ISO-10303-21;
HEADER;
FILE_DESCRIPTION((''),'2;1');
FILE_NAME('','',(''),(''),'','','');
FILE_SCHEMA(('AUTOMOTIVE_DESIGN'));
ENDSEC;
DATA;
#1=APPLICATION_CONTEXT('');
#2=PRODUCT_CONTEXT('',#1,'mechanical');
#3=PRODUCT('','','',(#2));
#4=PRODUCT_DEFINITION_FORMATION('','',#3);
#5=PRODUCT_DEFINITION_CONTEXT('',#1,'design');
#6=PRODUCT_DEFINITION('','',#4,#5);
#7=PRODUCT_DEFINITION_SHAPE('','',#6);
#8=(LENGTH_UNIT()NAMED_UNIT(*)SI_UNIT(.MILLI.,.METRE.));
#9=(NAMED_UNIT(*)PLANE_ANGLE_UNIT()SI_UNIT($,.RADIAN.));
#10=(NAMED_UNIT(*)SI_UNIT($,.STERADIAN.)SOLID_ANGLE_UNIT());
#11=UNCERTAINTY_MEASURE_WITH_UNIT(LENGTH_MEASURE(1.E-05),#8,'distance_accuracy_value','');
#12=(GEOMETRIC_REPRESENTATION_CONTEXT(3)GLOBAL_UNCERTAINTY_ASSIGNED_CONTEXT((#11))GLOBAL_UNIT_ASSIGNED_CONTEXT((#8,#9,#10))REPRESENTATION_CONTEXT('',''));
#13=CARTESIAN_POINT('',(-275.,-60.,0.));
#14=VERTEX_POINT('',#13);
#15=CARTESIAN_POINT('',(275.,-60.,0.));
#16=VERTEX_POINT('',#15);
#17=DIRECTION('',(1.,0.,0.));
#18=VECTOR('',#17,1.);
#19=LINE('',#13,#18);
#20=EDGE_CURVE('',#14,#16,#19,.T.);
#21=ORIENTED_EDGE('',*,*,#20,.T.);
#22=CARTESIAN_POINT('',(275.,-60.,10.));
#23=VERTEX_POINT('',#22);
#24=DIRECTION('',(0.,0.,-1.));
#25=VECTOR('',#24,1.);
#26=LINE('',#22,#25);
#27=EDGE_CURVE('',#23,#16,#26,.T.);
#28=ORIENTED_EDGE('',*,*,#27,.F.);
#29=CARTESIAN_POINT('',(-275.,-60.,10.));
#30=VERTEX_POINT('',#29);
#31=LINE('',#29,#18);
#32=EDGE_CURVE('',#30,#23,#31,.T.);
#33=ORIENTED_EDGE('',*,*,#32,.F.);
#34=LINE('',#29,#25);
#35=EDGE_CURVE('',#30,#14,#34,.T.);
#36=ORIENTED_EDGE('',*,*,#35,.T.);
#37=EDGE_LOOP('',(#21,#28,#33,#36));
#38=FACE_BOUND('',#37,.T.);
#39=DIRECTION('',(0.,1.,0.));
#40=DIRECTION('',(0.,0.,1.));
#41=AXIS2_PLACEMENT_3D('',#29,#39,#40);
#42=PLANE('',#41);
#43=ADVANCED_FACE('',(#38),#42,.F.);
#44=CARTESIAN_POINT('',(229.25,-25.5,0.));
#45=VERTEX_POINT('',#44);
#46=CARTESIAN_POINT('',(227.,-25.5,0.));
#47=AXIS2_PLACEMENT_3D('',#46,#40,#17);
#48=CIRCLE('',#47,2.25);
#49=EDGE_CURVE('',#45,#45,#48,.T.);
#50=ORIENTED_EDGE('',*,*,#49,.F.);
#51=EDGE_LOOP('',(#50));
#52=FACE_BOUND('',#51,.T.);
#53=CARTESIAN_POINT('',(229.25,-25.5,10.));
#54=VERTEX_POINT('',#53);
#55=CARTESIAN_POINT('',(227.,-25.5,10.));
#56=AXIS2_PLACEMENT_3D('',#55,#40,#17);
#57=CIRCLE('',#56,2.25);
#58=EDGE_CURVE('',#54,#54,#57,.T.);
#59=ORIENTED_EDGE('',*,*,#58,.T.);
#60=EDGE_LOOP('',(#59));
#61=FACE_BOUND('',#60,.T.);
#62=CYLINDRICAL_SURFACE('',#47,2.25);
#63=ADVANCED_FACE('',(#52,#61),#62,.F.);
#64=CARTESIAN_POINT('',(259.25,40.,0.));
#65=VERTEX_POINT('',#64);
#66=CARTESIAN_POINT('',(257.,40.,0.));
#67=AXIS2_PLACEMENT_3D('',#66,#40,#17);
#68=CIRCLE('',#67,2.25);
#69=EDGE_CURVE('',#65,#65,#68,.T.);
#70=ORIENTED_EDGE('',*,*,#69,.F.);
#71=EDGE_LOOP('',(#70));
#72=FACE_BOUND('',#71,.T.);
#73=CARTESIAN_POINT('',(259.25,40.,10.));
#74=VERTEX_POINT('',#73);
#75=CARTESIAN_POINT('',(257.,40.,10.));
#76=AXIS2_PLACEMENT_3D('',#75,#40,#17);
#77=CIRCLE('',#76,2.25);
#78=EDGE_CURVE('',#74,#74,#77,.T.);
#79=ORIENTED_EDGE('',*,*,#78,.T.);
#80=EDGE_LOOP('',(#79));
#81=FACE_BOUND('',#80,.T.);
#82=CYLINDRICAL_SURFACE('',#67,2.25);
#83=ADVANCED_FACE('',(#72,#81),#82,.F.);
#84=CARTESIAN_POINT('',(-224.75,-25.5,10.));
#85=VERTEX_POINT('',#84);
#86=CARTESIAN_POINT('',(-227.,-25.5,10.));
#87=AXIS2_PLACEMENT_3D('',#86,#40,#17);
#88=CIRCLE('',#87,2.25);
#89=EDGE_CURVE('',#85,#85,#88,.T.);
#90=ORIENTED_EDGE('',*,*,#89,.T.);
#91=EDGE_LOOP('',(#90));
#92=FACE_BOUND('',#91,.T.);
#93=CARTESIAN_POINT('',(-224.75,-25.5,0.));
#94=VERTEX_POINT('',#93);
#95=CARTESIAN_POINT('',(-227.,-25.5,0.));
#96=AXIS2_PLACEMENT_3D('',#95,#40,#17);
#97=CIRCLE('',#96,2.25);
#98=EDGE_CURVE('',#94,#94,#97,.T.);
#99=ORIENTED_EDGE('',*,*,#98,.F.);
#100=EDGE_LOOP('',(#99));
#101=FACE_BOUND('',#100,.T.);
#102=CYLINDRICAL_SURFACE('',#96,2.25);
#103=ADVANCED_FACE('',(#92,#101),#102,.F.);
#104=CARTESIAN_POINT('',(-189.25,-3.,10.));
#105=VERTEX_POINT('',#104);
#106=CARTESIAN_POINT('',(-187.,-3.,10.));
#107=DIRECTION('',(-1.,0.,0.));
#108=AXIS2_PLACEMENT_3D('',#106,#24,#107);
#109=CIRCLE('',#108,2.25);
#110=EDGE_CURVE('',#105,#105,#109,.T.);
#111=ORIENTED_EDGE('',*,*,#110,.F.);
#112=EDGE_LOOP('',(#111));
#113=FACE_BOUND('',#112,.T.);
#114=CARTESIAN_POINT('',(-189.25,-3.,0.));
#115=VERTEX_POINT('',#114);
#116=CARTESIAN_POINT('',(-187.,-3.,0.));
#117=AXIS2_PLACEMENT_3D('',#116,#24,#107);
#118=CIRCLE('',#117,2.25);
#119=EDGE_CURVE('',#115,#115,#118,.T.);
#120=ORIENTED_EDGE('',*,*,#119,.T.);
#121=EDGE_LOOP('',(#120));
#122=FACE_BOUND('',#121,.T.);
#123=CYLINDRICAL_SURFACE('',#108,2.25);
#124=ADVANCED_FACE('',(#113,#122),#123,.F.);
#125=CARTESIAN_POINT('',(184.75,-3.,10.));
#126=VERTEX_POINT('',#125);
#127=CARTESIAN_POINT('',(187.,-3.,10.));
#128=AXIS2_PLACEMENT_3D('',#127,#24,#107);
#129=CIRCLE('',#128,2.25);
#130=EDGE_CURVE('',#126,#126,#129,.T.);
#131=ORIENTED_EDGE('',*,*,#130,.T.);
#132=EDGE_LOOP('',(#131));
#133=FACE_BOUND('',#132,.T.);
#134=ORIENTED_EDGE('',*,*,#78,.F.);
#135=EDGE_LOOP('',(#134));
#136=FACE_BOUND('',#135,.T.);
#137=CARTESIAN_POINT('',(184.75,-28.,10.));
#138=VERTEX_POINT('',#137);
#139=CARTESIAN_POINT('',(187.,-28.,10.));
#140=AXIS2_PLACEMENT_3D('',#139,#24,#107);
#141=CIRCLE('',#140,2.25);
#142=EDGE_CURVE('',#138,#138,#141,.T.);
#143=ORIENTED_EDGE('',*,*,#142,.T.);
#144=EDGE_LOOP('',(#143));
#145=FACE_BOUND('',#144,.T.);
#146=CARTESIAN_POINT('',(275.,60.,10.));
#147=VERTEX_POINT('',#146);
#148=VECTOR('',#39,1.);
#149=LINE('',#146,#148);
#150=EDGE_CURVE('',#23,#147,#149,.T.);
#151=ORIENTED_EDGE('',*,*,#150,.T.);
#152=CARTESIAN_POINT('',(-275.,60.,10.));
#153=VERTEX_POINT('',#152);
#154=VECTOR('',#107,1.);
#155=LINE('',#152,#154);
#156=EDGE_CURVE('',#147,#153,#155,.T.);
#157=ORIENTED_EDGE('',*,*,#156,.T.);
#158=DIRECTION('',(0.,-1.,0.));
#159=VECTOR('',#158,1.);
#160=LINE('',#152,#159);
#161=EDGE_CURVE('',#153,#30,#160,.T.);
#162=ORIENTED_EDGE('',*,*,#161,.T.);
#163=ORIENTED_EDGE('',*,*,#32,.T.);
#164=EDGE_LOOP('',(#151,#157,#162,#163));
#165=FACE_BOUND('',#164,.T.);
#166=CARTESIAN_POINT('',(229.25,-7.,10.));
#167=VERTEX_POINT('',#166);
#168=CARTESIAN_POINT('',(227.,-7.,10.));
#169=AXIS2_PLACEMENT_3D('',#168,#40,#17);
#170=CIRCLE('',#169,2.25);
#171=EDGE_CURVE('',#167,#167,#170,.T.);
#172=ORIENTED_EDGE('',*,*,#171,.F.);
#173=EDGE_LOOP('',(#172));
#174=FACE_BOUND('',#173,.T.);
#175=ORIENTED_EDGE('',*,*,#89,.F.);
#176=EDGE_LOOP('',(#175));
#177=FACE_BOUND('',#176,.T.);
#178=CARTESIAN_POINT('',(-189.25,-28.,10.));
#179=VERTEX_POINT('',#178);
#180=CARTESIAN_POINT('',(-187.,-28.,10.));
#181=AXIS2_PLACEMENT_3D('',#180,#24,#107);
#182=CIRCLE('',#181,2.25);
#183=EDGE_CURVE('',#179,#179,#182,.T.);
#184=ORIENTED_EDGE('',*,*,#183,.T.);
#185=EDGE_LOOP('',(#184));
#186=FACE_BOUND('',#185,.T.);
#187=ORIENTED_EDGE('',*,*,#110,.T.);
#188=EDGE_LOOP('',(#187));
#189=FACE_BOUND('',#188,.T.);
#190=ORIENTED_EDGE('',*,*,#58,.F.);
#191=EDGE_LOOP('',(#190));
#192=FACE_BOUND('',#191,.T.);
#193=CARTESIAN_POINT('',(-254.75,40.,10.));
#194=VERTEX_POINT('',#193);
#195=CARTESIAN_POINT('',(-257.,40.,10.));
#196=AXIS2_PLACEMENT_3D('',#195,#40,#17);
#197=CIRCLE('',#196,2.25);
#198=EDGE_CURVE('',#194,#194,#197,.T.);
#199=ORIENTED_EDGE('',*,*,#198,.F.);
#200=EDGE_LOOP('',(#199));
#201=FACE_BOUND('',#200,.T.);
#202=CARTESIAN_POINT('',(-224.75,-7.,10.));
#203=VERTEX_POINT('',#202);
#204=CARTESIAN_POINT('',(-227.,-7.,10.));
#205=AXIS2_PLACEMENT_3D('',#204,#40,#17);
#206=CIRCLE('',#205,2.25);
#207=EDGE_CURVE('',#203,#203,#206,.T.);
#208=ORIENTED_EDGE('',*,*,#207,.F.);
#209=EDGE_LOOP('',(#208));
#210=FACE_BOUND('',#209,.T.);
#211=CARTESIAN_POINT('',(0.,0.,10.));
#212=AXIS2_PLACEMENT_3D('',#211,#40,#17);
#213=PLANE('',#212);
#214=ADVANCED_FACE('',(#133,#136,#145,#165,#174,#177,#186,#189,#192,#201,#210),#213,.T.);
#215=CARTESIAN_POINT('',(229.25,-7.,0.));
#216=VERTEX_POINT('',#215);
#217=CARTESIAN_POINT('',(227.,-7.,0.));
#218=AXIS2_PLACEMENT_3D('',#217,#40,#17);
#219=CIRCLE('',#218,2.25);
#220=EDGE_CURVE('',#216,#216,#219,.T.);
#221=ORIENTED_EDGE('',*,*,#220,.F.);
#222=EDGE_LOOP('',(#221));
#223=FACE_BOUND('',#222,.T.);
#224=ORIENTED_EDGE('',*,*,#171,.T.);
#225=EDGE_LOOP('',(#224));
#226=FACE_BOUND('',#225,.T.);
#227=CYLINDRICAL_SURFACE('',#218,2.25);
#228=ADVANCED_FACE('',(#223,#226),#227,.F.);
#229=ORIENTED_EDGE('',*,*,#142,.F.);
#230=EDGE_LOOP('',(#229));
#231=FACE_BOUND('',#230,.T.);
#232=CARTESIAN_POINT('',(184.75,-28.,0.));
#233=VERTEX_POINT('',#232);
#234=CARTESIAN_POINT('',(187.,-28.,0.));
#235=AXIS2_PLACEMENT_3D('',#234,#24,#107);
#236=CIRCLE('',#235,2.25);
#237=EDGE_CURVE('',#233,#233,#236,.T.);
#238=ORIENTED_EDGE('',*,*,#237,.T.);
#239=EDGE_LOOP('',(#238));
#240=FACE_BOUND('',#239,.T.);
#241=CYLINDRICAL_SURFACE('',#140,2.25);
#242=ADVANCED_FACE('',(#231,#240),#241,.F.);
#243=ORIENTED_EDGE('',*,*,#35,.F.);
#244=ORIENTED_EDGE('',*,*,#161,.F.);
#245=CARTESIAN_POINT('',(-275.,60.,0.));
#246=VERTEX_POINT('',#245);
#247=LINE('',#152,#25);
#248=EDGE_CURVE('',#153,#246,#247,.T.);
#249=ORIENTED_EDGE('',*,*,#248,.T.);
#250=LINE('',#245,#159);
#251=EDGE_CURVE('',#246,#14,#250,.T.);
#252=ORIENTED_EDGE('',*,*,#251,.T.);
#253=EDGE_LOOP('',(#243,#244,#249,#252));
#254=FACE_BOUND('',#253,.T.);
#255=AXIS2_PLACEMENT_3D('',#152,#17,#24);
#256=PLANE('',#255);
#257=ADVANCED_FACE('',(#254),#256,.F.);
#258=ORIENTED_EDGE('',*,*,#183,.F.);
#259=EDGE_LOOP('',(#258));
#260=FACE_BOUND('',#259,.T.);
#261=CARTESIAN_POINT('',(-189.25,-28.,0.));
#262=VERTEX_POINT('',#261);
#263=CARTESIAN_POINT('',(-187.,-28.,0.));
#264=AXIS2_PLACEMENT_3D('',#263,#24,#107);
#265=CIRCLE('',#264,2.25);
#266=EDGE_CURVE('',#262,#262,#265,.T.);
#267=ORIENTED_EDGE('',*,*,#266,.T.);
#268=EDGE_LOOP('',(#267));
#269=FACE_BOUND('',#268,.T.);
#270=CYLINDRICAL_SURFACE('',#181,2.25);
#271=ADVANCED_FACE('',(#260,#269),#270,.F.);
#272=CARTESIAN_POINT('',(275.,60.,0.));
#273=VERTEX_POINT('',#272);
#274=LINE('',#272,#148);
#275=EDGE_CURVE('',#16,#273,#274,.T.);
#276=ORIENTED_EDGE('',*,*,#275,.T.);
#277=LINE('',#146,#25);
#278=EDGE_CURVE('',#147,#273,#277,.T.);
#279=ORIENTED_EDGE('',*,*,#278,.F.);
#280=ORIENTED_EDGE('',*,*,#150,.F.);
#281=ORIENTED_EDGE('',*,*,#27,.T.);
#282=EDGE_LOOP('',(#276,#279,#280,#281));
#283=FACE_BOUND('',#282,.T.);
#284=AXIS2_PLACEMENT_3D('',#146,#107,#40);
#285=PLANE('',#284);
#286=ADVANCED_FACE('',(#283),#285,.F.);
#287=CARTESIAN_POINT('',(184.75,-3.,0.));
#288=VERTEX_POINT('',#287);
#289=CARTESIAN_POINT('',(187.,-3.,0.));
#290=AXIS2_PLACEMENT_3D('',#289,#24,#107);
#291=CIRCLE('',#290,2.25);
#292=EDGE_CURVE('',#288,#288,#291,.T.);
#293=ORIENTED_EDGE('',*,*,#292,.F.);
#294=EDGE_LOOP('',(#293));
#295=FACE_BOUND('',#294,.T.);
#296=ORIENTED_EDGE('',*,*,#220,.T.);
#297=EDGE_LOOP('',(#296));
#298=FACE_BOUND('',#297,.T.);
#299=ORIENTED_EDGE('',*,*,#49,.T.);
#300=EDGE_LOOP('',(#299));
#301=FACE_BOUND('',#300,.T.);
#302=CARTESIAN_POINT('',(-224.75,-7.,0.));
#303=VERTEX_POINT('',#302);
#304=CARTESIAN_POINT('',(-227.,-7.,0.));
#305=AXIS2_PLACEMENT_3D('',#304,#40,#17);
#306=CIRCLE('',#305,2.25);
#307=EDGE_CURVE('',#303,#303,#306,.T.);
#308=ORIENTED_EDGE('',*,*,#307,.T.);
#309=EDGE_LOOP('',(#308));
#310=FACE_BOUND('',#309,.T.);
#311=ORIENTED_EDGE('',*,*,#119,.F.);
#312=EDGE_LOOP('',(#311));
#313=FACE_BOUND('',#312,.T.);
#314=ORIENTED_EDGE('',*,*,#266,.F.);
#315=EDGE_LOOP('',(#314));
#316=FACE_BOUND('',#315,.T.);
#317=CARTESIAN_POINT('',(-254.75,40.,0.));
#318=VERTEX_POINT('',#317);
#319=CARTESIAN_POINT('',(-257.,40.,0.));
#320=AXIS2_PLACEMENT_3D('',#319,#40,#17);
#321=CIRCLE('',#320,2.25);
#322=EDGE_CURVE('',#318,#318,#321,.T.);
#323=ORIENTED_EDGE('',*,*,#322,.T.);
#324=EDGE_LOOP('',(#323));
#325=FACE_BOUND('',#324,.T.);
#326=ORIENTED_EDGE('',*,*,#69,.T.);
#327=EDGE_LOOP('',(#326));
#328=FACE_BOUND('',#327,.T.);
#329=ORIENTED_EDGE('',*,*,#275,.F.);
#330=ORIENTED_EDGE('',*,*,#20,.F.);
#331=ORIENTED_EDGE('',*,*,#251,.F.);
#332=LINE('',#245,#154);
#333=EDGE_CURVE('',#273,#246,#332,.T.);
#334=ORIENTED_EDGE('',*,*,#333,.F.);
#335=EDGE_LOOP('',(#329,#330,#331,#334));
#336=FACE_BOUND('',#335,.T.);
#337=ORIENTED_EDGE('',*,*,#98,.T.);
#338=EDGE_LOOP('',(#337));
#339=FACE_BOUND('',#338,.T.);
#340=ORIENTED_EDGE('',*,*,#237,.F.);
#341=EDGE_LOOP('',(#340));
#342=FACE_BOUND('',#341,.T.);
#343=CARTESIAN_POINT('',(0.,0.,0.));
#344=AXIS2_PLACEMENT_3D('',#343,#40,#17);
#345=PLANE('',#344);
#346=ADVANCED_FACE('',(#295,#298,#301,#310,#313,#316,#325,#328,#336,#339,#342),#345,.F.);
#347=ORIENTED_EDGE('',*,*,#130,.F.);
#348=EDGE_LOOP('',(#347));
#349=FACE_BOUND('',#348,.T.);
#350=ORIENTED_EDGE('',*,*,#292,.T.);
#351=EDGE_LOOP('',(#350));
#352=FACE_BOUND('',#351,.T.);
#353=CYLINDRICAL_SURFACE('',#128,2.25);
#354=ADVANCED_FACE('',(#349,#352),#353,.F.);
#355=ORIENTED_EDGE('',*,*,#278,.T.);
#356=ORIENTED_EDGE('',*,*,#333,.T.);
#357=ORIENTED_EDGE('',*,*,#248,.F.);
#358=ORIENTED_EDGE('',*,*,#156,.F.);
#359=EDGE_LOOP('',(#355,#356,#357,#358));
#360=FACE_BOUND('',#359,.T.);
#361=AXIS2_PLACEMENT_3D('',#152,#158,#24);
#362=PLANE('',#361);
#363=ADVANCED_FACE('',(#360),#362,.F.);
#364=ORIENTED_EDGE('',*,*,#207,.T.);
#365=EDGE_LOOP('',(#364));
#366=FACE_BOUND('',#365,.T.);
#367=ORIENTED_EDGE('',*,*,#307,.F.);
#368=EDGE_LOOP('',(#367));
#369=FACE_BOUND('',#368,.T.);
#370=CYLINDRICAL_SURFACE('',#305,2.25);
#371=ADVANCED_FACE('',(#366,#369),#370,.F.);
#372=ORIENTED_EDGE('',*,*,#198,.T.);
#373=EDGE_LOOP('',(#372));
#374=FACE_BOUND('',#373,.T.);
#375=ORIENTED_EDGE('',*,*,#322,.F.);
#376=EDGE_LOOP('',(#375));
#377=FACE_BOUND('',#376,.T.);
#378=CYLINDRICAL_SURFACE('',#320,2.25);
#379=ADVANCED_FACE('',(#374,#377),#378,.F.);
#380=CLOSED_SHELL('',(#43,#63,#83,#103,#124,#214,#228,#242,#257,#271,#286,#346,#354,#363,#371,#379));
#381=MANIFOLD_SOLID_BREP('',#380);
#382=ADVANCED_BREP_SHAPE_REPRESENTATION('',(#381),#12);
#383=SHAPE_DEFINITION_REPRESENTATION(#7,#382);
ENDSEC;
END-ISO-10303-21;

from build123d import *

# Parameters (mm, degrees)
SCHIZZO1_W                   = 550
SCHIZZO1_H                   = 120
ESTRUSIONE_ESTRUSIONE1_DEPTH = 10
SCHIZZO2_R                   = 2.25
TAGLIO_ESTRUSIONE1_DEPTH     = 10
SCHIZZO3_R                   = 2.25
TAGLIO_ESTRUSIONE2_DEPTH     = 10


with BuildPart() as part:
    # Schizzo1 → Estrusione-Estrusione1 (new body)
    with BuildSketch(Plane.XY):
        Rectangle(SCHIZZO1_W, SCHIZZO1_H)
    extrude(amount=ESTRUSIONE_ESTRUSIONE1_DEPTH)

    # Schizzo2 → Taglio-Estrusione1 (cut)
    with BuildSketch(Plane.XY.offset(10)):
        with Locations((-227, -7)):
            Circle(SCHIZZO2_R)
        with Locations((-227, -25.5)):
            Circle(SCHIZZO2_R)
        with Locations((227, -7)):
            Circle(SCHIZZO2_R)
        with Locations((227, -25.5)):
            Circle(SCHIZZO2_R)
        with Locations((-257, 40)):
            Circle(SCHIZZO2_R)
        with Locations((257, 40)):
            Circle(SCHIZZO2_R)
    extrude(amount=-TAGLIO_ESTRUSIONE1_DEPTH, mode=Mode.SUBTRACT)

    # Schizzo3 → Taglio-Estrusione2 (cut)
    with BuildSketch(Plane(origin=(0, 0, 0), x_dir=(-1, 0, 0), z_dir=(0, 0, -1))):
        with Locations((187, -28)):
            Circle(SCHIZZO3_R)
        with Locations((187, -3)):
            Circle(SCHIZZO3_R)
        with Locations((-187, -3)):
            Circle(SCHIZZO3_R)
        with Locations((-187, -28)):
            Circle(SCHIZZO3_R)
    extrude(amount=-TAGLIO_ESTRUSIONE2_DEPTH, mode=Mode.SUBTRACT)


solid = part.part
